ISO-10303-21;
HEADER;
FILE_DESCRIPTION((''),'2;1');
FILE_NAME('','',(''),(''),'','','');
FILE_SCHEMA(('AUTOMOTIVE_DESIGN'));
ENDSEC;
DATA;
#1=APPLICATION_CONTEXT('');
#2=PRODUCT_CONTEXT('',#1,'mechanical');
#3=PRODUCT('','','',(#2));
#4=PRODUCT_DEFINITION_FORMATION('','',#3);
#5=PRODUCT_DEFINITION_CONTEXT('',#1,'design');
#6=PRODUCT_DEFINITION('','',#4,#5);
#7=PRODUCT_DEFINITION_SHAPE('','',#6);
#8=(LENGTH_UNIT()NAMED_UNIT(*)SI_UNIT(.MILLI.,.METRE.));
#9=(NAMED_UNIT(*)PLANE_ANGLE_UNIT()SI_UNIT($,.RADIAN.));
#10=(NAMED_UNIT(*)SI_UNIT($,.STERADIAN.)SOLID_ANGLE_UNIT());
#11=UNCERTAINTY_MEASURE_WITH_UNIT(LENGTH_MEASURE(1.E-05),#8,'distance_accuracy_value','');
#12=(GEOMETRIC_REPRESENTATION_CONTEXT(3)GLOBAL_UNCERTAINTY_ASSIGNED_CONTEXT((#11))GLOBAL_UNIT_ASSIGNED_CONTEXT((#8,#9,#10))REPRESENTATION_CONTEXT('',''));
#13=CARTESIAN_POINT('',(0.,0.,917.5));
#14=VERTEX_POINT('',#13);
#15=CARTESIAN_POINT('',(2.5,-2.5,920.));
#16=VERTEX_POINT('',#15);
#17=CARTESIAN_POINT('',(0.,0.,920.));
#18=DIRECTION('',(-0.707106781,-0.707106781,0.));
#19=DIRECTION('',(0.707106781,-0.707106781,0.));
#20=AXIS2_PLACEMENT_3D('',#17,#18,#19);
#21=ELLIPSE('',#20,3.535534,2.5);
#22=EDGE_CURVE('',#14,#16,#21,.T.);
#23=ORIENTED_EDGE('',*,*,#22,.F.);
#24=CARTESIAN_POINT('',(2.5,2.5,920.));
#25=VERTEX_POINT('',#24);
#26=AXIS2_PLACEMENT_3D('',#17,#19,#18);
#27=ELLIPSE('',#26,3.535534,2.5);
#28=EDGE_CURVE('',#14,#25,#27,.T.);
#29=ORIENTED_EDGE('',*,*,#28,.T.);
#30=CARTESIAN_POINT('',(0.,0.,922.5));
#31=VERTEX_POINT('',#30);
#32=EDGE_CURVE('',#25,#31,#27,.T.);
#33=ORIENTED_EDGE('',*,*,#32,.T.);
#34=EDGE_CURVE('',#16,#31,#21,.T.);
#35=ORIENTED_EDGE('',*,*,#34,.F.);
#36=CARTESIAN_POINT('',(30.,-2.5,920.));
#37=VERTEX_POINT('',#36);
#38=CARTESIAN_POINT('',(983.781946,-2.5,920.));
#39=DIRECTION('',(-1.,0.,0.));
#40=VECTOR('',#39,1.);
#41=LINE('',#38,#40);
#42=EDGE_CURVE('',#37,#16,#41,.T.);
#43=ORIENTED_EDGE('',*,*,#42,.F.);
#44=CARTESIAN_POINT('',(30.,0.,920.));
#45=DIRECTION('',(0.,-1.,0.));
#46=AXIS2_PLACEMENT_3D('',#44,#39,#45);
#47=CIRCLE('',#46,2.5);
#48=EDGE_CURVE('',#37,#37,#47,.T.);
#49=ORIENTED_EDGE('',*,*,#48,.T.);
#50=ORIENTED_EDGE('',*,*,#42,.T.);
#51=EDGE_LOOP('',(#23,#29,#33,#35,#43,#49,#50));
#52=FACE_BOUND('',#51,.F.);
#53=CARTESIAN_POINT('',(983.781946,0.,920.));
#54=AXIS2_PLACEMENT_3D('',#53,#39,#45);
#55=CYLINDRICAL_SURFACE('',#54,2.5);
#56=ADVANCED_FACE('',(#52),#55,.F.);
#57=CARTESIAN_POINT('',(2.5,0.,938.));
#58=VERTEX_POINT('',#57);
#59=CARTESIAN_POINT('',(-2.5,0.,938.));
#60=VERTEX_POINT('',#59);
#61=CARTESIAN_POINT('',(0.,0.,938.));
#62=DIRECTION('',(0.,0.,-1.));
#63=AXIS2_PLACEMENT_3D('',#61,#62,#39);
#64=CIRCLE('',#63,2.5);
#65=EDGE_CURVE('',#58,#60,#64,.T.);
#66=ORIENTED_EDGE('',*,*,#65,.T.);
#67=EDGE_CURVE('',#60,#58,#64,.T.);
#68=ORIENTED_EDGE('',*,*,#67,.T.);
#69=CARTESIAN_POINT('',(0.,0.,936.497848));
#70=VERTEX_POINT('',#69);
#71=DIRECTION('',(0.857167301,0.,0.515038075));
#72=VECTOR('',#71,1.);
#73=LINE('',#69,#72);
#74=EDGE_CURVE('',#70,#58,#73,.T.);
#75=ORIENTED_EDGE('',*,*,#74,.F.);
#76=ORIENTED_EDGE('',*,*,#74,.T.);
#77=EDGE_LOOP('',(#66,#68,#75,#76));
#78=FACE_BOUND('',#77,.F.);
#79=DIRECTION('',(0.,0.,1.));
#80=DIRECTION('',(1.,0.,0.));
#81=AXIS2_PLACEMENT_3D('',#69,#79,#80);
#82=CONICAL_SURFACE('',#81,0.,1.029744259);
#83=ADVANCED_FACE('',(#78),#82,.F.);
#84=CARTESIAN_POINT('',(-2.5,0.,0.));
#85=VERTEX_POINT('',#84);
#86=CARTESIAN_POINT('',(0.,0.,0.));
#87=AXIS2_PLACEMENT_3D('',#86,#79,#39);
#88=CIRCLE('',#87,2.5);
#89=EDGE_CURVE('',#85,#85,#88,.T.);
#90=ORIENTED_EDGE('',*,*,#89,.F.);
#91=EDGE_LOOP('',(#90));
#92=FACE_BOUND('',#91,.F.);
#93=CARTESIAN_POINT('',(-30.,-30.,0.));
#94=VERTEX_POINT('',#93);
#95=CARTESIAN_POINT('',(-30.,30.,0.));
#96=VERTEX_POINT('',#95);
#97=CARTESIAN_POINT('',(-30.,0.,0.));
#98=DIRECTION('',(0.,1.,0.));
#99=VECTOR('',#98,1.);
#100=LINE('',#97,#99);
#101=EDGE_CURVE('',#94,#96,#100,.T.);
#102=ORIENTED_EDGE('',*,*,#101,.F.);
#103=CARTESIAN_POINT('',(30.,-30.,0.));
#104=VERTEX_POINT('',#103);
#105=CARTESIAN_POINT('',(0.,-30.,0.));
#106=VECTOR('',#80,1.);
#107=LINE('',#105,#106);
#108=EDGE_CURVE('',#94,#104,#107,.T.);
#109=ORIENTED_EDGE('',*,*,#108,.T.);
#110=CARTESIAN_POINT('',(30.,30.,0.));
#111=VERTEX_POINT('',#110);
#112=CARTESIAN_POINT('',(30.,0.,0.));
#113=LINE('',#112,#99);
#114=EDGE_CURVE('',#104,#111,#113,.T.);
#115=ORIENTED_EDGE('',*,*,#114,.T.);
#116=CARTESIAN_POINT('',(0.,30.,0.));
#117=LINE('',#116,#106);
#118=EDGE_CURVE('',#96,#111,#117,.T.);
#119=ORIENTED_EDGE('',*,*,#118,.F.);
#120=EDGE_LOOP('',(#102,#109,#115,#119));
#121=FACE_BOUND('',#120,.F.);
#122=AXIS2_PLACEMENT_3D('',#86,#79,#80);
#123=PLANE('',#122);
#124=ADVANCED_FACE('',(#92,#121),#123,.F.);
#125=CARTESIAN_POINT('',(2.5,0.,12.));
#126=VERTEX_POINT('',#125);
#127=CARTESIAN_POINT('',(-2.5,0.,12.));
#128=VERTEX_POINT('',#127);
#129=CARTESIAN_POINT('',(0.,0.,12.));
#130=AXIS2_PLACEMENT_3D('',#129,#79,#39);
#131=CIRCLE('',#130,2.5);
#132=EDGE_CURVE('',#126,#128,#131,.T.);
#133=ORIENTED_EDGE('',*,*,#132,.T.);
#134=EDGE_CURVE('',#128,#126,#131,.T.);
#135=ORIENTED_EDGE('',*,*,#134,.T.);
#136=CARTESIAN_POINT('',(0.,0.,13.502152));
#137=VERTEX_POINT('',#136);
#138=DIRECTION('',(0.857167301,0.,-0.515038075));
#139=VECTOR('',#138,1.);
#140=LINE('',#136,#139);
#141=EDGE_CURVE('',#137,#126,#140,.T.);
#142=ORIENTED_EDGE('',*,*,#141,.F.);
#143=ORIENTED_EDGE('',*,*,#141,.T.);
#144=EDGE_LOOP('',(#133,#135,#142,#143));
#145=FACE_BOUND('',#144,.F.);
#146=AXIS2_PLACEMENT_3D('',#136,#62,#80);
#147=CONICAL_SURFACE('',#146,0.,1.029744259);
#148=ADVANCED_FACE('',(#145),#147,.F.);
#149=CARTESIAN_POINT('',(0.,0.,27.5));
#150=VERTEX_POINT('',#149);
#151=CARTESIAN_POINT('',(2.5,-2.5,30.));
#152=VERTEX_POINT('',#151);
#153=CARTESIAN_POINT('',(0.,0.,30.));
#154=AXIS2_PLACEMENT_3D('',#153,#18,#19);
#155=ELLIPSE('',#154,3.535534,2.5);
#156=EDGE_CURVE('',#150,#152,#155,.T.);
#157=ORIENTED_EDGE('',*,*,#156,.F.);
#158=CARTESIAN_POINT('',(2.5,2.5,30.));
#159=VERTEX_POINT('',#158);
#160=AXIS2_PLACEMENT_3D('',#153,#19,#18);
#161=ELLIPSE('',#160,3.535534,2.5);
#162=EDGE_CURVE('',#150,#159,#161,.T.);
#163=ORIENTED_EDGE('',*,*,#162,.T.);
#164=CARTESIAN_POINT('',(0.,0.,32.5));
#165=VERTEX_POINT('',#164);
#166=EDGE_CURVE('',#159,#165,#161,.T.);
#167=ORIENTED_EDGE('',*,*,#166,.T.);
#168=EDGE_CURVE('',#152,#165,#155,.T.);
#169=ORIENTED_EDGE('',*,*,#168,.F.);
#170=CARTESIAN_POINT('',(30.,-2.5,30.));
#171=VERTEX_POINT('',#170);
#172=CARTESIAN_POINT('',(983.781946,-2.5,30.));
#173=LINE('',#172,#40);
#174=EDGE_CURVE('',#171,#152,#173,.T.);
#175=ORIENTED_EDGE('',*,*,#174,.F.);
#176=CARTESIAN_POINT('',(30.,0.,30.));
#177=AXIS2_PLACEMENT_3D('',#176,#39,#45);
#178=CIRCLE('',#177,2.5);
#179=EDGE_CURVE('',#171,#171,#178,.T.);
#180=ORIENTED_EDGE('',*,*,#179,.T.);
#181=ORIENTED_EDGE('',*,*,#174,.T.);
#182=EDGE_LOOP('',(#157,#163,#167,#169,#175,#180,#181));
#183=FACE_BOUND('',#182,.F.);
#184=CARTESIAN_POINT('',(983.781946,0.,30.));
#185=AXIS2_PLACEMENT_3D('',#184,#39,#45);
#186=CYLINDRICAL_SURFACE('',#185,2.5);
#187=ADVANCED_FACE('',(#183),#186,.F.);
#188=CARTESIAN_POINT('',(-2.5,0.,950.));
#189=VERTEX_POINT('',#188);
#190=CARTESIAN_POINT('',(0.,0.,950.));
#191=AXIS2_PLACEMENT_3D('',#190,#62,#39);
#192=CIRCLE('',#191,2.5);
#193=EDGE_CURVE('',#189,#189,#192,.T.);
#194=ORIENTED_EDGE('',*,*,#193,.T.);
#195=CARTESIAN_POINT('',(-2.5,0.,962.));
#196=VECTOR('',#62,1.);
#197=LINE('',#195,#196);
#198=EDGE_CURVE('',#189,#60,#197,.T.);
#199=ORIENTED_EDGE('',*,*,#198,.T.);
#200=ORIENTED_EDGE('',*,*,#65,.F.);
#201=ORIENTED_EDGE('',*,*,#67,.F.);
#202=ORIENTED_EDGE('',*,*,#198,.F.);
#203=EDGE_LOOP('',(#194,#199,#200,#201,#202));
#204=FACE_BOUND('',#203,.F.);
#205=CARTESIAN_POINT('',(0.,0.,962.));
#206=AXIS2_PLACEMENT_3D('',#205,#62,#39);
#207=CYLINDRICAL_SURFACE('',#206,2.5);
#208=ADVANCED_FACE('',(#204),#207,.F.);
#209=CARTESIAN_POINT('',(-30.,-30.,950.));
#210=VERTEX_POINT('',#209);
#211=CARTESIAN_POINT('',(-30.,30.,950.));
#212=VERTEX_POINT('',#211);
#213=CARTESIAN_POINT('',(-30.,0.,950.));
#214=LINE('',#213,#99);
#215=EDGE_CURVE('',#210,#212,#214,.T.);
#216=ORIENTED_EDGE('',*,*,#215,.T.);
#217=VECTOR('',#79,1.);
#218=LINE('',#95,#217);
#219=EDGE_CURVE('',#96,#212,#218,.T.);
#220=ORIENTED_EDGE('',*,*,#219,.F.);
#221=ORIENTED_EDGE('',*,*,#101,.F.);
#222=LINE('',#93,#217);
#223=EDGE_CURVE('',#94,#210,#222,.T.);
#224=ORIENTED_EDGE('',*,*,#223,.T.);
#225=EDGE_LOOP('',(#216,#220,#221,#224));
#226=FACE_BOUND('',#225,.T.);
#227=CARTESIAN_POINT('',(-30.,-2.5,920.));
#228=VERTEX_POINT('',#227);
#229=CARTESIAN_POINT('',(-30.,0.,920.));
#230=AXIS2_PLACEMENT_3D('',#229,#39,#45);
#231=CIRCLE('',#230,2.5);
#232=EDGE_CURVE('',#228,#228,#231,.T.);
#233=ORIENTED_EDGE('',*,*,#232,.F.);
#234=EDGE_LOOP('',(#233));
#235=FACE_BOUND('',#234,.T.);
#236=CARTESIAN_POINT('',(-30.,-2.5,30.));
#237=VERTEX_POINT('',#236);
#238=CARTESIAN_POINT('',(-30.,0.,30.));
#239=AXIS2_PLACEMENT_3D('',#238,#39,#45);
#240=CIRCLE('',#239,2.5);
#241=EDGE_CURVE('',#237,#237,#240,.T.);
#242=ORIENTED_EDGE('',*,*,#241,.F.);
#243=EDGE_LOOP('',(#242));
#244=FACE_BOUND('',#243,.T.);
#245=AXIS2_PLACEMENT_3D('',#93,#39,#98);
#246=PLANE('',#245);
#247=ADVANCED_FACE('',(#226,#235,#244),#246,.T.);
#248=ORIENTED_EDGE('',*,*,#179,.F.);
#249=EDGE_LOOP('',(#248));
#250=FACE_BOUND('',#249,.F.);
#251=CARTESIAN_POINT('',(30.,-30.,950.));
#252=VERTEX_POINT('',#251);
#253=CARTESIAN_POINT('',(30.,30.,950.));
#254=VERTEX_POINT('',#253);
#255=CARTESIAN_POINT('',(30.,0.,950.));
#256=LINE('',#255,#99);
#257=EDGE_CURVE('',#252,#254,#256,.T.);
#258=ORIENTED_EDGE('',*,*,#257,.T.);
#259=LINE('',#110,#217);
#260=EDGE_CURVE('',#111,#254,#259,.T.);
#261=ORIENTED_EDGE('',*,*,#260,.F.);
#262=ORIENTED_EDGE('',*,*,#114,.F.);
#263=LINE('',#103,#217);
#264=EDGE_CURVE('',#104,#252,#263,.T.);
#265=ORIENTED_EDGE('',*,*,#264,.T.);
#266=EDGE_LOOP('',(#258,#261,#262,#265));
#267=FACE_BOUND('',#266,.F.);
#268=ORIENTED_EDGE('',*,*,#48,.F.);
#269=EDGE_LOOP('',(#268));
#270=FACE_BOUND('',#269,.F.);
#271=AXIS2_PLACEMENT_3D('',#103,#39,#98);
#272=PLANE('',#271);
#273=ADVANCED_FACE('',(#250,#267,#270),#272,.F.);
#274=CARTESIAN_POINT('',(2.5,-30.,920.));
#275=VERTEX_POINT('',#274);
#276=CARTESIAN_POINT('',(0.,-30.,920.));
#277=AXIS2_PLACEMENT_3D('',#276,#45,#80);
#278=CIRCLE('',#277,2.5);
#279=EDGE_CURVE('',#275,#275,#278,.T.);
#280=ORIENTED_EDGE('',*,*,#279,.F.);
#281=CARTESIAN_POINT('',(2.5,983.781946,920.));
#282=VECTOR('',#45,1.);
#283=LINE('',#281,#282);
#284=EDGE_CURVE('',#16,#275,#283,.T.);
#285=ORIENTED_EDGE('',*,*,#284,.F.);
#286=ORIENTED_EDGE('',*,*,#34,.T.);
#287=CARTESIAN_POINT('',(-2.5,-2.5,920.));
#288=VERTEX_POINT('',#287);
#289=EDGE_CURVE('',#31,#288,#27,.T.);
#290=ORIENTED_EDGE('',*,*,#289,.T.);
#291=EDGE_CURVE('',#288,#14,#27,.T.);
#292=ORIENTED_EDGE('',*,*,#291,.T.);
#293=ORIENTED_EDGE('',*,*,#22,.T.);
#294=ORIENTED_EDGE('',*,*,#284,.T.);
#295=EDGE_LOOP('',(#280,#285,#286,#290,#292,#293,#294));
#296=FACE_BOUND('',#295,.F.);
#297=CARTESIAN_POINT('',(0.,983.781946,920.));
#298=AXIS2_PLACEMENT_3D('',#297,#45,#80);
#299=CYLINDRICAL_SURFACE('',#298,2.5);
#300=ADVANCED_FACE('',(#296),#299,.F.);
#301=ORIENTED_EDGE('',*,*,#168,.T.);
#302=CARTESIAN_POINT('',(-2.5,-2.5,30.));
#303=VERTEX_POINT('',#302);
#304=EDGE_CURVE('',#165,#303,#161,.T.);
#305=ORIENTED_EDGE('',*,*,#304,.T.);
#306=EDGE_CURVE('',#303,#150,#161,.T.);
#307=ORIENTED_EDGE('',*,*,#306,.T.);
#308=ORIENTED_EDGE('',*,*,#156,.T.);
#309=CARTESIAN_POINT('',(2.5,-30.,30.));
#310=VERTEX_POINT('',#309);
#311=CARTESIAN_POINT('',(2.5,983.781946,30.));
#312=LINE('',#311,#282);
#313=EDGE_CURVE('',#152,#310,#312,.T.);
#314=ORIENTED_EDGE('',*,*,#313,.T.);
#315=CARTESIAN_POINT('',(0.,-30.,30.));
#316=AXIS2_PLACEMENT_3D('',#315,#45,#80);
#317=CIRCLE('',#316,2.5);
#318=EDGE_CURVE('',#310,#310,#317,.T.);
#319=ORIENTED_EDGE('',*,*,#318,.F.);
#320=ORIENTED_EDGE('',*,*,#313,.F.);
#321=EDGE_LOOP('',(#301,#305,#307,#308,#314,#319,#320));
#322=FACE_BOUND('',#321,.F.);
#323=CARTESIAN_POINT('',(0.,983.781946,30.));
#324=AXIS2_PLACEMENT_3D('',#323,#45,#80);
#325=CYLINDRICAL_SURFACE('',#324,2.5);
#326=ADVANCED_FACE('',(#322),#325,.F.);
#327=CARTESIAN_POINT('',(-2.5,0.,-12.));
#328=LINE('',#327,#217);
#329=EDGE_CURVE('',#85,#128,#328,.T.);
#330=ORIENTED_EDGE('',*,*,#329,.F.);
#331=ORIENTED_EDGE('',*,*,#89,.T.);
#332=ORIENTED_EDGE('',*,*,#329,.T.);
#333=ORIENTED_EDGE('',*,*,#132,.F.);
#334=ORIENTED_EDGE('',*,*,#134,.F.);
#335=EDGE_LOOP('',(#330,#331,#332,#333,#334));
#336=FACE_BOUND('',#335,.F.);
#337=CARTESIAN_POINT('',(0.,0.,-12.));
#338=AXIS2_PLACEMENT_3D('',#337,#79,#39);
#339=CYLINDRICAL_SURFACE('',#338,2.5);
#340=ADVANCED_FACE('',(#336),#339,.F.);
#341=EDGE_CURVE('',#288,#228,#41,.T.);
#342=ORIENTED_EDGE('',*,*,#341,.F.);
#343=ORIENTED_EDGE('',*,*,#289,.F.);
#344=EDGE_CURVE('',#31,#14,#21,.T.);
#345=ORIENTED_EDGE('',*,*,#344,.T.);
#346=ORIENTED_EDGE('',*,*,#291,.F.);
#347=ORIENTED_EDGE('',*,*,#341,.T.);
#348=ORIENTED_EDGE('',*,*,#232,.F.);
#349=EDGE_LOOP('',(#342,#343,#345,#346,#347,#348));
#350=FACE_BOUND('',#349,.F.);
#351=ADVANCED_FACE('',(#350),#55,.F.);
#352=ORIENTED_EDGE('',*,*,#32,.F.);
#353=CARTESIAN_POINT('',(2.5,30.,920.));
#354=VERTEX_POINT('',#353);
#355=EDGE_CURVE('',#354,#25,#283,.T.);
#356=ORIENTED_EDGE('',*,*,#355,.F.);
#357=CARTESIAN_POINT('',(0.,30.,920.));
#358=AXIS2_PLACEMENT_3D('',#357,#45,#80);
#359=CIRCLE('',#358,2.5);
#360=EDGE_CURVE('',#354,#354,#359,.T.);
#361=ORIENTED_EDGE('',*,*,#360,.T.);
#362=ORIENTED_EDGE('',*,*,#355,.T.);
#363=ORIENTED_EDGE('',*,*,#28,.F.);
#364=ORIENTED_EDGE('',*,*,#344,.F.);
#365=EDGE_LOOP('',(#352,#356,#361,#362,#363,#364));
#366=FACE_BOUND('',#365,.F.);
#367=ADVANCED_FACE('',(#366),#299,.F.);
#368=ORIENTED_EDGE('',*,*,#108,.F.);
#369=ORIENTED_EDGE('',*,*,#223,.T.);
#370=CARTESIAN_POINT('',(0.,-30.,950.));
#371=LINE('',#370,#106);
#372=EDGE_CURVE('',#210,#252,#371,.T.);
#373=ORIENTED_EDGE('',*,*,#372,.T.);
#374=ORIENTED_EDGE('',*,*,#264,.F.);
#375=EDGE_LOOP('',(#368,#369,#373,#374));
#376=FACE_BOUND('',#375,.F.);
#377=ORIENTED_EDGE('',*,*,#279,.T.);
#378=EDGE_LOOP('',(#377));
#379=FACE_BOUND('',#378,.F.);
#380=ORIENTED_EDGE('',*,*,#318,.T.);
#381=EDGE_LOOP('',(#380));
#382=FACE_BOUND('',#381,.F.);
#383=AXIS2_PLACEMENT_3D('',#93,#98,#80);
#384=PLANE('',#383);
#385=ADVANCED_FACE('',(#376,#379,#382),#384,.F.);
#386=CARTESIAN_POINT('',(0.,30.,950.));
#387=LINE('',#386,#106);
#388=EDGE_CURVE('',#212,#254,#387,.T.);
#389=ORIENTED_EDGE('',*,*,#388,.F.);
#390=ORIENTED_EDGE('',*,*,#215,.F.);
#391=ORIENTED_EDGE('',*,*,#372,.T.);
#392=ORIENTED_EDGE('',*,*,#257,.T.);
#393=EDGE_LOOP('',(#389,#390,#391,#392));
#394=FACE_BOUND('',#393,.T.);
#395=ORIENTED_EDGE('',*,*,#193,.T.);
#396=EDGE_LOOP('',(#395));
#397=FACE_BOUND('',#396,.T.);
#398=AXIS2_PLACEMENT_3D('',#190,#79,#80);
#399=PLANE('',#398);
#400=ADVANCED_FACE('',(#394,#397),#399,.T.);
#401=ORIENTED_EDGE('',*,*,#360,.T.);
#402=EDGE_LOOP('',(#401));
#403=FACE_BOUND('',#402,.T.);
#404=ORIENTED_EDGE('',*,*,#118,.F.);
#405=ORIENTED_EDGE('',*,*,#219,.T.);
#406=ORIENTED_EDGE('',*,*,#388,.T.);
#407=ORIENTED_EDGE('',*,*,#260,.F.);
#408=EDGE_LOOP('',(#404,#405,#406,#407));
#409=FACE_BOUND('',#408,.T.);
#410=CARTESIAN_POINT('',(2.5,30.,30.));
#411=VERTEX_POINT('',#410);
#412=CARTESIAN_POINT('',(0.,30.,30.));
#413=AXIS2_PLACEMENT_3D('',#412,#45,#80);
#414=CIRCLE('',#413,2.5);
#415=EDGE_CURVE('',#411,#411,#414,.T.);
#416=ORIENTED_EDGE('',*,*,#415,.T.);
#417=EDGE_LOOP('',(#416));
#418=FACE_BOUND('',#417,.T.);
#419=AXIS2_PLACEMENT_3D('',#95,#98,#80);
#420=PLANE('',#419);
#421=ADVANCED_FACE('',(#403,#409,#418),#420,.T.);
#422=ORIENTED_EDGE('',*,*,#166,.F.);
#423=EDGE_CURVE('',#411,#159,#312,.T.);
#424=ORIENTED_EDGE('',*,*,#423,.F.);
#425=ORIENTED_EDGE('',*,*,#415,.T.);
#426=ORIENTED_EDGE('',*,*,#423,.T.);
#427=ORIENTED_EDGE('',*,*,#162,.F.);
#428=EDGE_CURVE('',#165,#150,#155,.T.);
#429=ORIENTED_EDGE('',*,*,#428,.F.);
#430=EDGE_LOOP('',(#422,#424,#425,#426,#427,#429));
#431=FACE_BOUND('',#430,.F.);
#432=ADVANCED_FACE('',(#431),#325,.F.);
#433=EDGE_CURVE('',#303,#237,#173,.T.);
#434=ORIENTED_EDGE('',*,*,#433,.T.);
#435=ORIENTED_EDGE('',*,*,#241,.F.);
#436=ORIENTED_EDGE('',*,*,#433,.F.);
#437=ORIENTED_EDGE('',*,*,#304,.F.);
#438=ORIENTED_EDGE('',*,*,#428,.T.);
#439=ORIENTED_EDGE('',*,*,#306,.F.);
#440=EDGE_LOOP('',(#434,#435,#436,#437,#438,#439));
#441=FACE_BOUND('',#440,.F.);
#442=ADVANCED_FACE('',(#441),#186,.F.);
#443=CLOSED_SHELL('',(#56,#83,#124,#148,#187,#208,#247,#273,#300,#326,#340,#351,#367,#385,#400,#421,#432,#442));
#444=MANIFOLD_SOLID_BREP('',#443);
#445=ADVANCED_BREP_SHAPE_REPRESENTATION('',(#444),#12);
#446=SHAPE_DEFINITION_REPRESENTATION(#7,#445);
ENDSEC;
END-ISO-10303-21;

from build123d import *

# Parameters (mm, degrees)
F1_W           = 60
F1_H           = 60
F2_DEPTH       = 950
F7_D           = 5
F7_DEPTH       = 12
F7_TIP         = 1.5021515476
F7_ON_F4_D     = 5
F7_ON_F4_DEPTH = 12
F7_ON_F4_TIP   = 1.5021515476
F8_D           = 5
F8_ON_F5_D     = 5


with BuildPart() as f2:
    # F1 (on Top) → F2 (new body)
    with BuildSketch(Plane.XY):
        Rectangle(F1_W, F1_H)
    extrude(amount=F2_DEPTH)

    # F7
    with Locations(Plane.XY.offset(950)):
        with Locations((0, 0)):
            Hole(F7_D / 2, depth=F7_DEPTH)
            with Locations((0, 0, -(F7_DEPTH + F7_TIP / 2))):  # 118° drill point
                Cone(0, F7_D / 2, F7_TIP, mode=Mode.SUBTRACT)

    # F7 on F4
    with Locations(Plane(origin=(0, 0, 0), x_dir=(1, 0, 0), z_dir=(0, 0, -1))):
        with Locations((0, 0)):
            Hole(F7_ON_F4_D / 2, depth=F7_ON_F4_DEPTH)
            with Locations((0, 0, -(F7_ON_F4_DEPTH + F7_ON_F4_TIP / 2))):  # 118° drill point
                Cone(0, F7_ON_F4_D / 2, F7_ON_F4_TIP, mode=Mode.SUBTRACT)

    # F8 (through all)
    with Locations(Plane(origin=(0, 30, 0), x_dir=(-1, 0, 0), z_dir=(0, 1, 0))):
        with Locations((0, 920), (0, 30)):
            Hole(F8_D / 2)

    # F8 on F5 (through all)
    with Locations(Plane.YZ.offset(30)):
        with Locations((0, 920), (0, 30)):
            Hole(F8_ON_F5_D / 2)


solid = f2.part
